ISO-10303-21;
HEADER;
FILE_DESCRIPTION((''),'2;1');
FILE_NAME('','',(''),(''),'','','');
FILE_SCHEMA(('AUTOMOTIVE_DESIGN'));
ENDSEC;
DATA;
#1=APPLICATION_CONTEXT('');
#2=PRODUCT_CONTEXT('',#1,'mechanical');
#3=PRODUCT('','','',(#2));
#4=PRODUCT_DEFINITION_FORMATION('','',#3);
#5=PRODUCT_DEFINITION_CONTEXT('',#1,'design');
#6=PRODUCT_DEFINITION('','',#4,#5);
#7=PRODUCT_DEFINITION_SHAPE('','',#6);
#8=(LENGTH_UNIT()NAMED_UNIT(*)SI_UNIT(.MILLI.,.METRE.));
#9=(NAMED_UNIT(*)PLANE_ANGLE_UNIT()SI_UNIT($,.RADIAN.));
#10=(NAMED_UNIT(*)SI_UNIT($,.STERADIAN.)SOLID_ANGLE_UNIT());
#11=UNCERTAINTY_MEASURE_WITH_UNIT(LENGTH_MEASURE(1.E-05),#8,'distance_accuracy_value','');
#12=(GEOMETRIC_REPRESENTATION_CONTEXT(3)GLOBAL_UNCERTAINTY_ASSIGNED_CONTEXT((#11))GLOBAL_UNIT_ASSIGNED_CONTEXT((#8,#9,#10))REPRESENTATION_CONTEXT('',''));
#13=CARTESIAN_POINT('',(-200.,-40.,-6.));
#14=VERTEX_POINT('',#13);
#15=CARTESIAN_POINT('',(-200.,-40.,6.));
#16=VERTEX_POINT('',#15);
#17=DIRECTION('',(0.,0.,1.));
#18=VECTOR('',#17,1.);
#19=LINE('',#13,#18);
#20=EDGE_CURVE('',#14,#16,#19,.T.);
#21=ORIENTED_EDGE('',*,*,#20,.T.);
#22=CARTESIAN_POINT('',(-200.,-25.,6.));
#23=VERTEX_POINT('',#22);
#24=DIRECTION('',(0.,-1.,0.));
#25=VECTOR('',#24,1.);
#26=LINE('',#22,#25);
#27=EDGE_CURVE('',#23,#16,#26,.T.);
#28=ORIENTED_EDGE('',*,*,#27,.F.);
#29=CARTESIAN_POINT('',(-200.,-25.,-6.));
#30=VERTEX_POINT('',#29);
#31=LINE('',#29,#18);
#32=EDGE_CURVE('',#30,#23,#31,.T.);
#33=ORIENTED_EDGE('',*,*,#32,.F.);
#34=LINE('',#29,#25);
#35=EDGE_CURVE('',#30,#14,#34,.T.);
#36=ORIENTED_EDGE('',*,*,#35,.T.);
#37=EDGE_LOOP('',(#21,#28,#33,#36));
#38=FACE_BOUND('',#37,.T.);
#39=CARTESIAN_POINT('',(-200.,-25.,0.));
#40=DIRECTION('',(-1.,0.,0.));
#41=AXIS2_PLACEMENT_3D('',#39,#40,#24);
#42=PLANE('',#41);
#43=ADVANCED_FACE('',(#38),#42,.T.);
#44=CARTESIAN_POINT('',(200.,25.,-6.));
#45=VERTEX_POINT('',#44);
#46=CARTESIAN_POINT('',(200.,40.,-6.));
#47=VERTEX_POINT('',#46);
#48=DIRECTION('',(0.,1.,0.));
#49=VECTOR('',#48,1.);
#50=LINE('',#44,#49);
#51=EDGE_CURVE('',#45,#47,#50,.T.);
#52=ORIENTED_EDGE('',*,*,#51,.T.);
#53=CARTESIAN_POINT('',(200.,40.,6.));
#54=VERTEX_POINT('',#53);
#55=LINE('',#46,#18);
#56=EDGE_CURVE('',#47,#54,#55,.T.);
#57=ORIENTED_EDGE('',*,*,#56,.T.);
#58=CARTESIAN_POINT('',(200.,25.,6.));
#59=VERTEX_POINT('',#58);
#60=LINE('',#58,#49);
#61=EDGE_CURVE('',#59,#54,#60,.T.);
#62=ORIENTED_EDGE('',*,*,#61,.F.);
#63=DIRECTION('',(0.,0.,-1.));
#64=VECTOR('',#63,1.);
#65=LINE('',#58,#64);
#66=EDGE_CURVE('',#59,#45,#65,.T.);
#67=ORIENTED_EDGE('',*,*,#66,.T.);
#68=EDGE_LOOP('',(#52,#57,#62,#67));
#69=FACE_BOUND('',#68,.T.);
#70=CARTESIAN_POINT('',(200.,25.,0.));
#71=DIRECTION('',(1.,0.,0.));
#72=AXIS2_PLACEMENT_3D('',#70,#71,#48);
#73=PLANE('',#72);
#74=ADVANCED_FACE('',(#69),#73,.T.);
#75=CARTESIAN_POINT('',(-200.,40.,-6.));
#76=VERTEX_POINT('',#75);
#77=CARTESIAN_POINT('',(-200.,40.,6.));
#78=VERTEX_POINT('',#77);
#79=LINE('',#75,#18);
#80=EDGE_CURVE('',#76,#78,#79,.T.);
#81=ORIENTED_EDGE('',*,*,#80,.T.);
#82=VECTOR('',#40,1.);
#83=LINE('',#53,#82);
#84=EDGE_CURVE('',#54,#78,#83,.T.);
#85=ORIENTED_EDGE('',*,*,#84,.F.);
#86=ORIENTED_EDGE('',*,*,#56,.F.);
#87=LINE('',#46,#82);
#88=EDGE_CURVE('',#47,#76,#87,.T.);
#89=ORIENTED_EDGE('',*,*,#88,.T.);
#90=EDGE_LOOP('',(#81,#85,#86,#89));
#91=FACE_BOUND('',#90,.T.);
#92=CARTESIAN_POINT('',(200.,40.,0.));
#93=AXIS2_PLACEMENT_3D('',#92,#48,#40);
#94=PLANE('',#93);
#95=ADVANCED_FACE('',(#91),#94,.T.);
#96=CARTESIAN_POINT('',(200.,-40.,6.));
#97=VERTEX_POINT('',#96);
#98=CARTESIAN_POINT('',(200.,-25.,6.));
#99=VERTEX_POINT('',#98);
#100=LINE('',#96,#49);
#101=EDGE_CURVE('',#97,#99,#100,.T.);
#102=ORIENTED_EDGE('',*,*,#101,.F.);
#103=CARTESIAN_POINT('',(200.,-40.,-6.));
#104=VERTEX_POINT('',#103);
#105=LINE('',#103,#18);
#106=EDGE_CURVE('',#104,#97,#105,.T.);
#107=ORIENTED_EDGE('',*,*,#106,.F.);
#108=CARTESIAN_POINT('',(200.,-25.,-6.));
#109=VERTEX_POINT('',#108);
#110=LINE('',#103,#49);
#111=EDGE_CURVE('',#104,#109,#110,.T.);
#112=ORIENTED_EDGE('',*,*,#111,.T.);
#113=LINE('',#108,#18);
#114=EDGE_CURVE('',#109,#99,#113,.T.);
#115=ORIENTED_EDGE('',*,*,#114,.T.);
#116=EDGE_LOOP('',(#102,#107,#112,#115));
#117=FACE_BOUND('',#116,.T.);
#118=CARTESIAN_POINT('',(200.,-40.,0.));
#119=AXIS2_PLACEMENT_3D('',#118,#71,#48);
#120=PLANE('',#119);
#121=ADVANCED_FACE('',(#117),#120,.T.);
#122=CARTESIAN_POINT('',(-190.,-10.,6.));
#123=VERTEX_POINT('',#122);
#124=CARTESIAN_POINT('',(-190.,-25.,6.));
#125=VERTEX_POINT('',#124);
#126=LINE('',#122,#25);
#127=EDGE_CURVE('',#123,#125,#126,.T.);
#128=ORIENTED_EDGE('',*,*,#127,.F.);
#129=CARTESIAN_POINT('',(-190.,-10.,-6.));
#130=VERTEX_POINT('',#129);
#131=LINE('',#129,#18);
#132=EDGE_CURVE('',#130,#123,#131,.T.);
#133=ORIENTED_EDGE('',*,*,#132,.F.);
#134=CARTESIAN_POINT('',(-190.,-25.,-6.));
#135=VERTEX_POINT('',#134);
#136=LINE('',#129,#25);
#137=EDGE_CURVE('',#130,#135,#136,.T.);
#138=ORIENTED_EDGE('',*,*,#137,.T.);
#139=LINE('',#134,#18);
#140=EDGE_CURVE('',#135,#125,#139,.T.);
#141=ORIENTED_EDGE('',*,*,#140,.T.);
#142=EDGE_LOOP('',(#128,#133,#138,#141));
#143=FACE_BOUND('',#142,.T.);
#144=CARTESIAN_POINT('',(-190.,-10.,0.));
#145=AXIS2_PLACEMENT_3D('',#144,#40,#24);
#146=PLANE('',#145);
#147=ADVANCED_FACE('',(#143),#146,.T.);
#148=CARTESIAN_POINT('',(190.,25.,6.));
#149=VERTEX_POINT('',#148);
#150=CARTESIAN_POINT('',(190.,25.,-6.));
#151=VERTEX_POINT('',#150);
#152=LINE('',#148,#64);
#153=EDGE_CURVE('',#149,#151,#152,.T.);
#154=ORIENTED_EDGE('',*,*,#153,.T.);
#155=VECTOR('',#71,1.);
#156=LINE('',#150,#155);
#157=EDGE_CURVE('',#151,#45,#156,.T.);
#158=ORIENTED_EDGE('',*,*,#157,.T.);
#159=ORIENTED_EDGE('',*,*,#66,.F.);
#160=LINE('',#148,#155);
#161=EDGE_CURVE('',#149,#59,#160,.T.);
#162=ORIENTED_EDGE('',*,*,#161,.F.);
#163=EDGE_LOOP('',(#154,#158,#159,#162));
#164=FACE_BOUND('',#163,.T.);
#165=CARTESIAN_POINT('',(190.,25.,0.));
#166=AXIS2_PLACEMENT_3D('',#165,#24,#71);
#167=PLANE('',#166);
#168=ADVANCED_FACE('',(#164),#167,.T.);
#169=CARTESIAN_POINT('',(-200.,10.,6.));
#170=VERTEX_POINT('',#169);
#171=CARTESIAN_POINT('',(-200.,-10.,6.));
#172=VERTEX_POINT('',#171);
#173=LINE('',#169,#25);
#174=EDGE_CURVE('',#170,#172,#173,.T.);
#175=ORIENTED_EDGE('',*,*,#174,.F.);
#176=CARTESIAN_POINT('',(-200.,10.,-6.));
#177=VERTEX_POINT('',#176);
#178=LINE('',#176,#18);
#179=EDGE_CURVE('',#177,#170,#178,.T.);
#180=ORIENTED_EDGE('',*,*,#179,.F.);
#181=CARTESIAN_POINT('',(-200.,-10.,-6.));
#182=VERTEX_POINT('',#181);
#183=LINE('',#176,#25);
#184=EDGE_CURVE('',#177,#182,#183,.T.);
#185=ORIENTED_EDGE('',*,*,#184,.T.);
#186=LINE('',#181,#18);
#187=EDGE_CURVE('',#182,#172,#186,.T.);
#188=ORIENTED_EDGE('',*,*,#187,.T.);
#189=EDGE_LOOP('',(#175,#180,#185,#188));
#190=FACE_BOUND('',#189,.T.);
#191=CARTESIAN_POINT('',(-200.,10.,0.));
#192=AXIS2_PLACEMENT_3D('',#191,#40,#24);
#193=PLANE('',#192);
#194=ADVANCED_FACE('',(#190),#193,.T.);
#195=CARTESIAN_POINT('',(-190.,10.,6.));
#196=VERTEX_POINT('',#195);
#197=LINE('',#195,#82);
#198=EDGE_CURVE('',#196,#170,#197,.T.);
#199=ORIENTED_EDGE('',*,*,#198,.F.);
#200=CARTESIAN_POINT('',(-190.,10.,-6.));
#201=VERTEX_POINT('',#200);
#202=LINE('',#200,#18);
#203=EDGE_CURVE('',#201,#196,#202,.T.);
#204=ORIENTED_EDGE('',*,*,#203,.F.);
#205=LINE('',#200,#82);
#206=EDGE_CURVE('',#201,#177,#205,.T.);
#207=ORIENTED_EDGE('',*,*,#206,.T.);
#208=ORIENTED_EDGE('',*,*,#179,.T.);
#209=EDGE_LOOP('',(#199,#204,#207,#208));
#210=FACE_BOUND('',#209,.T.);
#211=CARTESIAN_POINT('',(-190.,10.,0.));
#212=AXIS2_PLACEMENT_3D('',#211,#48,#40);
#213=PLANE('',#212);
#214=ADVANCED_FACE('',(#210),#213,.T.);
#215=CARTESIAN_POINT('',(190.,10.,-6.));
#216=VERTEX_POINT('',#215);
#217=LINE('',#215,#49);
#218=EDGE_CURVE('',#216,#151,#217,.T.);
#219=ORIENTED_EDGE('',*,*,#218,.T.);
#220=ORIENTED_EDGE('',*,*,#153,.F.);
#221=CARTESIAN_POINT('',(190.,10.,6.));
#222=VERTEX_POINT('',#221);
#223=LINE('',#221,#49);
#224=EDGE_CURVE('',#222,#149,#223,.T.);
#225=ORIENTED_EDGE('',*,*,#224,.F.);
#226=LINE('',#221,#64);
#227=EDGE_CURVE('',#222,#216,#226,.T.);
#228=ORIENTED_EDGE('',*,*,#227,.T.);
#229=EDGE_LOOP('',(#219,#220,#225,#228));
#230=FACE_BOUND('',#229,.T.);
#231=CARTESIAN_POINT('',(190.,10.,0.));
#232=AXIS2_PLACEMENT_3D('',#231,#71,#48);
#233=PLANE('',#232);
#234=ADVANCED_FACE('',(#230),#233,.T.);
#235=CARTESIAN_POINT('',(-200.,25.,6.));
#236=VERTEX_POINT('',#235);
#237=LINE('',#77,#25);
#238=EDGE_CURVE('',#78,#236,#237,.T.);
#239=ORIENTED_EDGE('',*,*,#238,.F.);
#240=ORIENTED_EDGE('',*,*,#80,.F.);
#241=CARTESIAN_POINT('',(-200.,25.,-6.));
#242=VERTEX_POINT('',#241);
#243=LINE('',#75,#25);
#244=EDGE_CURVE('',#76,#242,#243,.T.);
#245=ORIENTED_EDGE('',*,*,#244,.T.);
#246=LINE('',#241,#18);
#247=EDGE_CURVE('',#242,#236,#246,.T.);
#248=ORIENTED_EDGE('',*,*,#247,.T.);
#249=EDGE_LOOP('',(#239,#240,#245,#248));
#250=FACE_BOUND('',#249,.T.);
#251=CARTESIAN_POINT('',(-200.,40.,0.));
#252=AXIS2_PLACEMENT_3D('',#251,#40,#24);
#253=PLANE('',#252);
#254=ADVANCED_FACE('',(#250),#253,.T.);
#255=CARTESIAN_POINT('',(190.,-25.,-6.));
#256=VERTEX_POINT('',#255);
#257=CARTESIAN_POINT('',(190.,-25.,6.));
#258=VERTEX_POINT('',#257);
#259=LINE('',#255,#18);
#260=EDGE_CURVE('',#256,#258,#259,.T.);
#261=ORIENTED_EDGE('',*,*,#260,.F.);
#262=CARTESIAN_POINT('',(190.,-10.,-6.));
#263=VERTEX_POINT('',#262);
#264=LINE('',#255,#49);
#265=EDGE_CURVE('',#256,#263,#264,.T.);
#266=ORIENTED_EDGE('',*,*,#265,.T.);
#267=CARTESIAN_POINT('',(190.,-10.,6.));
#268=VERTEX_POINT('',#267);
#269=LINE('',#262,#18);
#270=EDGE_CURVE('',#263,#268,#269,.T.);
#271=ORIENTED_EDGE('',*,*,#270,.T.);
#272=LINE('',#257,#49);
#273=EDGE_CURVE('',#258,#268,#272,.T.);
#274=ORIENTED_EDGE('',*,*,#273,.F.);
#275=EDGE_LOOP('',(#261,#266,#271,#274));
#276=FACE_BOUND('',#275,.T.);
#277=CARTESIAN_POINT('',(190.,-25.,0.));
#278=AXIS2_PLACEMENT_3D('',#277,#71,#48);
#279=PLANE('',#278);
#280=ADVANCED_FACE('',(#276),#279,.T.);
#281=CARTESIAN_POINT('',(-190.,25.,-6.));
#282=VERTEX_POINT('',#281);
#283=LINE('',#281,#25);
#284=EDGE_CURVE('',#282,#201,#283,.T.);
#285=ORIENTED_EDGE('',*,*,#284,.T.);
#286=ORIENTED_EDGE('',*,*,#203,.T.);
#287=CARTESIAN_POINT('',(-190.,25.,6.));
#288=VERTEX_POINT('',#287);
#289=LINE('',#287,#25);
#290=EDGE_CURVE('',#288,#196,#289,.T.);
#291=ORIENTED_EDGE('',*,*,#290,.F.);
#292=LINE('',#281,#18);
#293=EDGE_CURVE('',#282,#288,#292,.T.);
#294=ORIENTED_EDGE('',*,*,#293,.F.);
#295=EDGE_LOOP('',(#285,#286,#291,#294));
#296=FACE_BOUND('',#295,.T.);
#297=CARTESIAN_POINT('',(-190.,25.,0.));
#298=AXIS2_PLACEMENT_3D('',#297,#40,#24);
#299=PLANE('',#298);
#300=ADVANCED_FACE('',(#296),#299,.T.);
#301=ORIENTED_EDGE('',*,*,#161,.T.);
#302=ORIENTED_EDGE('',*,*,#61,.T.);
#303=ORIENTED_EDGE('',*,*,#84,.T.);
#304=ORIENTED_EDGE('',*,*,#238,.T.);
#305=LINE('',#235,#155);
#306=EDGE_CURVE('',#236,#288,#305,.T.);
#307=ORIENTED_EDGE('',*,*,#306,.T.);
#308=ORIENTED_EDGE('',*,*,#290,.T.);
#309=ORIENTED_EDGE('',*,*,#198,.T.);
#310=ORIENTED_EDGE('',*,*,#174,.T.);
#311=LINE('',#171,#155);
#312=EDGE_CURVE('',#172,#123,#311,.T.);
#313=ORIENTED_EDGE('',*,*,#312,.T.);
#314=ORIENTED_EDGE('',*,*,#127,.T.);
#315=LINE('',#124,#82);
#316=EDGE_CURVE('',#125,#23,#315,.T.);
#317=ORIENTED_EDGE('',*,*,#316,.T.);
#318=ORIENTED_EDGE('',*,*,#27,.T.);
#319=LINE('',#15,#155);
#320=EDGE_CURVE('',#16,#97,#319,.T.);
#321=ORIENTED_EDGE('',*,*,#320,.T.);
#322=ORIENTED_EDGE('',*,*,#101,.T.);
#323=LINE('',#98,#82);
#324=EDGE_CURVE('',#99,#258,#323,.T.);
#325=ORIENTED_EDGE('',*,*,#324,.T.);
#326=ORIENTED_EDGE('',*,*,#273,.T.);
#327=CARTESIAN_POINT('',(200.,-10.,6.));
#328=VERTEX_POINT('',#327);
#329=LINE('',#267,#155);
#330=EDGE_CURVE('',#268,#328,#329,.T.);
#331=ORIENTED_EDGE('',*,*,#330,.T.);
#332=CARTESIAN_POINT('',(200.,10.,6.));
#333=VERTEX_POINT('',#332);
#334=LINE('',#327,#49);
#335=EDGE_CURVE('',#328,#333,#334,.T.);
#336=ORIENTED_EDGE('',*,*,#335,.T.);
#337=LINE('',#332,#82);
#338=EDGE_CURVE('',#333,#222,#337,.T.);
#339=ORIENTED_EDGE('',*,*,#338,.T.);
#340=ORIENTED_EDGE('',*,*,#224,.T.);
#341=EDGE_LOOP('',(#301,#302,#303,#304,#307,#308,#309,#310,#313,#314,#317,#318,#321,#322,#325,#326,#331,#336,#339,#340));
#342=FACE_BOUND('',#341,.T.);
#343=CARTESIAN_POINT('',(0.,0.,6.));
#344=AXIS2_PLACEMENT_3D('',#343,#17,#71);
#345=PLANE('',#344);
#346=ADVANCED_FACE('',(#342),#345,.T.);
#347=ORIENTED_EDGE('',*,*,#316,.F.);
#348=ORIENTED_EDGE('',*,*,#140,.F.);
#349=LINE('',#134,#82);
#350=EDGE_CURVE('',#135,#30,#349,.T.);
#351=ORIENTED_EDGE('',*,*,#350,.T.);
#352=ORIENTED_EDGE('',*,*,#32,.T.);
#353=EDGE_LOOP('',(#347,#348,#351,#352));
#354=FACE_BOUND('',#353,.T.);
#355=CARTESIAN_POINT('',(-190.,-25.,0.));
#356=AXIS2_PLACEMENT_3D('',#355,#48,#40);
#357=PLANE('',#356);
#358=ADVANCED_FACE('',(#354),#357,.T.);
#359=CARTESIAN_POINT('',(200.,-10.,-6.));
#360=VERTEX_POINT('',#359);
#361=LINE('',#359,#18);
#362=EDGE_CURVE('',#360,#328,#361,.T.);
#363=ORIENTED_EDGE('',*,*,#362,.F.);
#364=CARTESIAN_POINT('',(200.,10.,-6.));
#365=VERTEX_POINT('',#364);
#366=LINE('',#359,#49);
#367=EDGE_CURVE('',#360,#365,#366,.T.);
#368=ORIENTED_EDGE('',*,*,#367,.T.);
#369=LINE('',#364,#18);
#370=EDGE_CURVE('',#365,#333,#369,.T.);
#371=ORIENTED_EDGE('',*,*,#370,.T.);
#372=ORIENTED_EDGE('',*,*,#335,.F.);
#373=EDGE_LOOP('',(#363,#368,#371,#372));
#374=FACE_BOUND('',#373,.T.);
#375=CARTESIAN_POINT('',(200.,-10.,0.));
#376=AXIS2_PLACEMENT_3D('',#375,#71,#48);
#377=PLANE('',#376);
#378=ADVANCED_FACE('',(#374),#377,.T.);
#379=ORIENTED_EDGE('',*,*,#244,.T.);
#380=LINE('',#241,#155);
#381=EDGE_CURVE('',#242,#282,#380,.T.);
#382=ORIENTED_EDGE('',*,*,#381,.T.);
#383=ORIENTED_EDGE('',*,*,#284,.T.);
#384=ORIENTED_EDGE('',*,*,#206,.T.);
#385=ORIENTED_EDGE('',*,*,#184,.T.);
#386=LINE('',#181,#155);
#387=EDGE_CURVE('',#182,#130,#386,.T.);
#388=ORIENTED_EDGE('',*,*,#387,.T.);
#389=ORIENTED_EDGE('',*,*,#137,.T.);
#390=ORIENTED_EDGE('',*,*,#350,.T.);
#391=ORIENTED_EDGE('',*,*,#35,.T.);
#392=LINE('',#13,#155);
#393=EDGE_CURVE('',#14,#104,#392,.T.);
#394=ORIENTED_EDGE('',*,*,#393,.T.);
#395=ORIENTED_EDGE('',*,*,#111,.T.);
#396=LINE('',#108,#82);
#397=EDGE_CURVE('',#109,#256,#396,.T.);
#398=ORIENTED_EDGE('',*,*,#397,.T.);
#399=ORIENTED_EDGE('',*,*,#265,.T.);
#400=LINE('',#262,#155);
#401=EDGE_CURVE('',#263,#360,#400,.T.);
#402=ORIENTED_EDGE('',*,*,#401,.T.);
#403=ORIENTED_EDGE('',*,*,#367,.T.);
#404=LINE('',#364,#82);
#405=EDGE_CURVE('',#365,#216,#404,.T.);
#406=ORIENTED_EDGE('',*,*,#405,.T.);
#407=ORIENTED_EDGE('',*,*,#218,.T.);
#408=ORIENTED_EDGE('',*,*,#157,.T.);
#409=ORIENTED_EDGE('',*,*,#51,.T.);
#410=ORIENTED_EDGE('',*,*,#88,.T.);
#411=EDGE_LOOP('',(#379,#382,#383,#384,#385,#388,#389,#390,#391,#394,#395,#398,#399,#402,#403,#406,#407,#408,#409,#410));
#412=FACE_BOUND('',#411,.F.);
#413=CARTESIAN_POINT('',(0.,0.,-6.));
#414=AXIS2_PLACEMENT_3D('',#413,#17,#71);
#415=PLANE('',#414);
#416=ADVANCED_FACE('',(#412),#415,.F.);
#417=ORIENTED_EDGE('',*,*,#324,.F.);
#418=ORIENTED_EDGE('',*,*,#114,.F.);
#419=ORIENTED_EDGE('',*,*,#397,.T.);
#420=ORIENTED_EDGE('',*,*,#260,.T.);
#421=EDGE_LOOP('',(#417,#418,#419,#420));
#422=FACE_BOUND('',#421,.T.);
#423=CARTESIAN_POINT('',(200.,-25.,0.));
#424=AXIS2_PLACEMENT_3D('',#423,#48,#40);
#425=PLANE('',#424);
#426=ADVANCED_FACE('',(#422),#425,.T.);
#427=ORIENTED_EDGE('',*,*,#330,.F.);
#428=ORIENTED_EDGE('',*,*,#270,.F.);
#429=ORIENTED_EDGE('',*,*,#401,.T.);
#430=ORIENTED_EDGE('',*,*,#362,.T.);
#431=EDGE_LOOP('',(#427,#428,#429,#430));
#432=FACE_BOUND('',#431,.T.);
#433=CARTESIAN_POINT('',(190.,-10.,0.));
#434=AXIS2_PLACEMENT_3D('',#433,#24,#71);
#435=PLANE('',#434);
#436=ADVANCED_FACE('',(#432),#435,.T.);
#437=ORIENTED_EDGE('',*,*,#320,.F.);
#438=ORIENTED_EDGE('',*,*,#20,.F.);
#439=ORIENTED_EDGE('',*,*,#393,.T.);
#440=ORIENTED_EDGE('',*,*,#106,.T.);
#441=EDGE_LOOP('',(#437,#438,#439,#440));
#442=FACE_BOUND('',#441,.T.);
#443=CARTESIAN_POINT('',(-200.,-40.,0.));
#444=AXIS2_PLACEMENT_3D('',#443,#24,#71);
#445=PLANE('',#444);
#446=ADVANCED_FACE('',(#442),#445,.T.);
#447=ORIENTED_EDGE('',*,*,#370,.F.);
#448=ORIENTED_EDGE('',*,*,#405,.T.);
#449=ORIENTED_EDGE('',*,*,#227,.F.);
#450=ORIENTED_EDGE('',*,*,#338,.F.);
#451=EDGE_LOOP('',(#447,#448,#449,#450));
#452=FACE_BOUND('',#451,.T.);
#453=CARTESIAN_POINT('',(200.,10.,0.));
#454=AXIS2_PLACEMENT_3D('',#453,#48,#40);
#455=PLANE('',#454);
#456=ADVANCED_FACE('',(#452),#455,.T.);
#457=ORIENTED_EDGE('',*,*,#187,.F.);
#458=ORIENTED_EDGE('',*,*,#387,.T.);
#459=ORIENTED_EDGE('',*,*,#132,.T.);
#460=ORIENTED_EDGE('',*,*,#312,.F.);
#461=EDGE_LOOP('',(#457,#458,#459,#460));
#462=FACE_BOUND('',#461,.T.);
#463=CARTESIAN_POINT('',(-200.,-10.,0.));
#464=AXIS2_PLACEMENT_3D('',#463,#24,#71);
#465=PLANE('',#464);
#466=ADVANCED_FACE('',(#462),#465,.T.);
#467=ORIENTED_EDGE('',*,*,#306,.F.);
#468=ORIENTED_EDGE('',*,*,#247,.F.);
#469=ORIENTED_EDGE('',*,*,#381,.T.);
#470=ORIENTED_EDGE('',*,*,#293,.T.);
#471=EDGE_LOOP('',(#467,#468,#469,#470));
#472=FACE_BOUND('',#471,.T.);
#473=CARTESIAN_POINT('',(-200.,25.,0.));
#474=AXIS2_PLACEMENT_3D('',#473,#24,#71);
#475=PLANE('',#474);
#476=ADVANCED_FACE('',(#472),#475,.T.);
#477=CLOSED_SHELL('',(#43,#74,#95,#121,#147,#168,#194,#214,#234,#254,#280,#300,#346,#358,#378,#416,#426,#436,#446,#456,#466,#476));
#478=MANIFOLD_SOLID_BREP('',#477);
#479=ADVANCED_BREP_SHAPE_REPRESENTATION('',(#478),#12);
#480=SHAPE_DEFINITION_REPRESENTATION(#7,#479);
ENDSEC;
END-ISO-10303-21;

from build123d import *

# Parameters (mm, degrees)
F1_DEPTH = 6


with BuildPart() as f1:
    # F0 (on Top) → F1 (new body, symmetric)
    with BuildSketch(Plane.XY):
        Polygon((200, 25), (200, 40), (-200, 40), (-200, 25), (-190, 25), (-190, 10), (-200, 10), (-200, -10), (-190, -10), (-190, -25), (-200, -25), (-200, -40), (200, -40), (200, -25), (190, -25), (190, -10), (200, -10), (200, 10), (190, 10), (190, 25), align=None)
    extrude(amount=F1_DEPTH, both=True)


solid = f1.part
